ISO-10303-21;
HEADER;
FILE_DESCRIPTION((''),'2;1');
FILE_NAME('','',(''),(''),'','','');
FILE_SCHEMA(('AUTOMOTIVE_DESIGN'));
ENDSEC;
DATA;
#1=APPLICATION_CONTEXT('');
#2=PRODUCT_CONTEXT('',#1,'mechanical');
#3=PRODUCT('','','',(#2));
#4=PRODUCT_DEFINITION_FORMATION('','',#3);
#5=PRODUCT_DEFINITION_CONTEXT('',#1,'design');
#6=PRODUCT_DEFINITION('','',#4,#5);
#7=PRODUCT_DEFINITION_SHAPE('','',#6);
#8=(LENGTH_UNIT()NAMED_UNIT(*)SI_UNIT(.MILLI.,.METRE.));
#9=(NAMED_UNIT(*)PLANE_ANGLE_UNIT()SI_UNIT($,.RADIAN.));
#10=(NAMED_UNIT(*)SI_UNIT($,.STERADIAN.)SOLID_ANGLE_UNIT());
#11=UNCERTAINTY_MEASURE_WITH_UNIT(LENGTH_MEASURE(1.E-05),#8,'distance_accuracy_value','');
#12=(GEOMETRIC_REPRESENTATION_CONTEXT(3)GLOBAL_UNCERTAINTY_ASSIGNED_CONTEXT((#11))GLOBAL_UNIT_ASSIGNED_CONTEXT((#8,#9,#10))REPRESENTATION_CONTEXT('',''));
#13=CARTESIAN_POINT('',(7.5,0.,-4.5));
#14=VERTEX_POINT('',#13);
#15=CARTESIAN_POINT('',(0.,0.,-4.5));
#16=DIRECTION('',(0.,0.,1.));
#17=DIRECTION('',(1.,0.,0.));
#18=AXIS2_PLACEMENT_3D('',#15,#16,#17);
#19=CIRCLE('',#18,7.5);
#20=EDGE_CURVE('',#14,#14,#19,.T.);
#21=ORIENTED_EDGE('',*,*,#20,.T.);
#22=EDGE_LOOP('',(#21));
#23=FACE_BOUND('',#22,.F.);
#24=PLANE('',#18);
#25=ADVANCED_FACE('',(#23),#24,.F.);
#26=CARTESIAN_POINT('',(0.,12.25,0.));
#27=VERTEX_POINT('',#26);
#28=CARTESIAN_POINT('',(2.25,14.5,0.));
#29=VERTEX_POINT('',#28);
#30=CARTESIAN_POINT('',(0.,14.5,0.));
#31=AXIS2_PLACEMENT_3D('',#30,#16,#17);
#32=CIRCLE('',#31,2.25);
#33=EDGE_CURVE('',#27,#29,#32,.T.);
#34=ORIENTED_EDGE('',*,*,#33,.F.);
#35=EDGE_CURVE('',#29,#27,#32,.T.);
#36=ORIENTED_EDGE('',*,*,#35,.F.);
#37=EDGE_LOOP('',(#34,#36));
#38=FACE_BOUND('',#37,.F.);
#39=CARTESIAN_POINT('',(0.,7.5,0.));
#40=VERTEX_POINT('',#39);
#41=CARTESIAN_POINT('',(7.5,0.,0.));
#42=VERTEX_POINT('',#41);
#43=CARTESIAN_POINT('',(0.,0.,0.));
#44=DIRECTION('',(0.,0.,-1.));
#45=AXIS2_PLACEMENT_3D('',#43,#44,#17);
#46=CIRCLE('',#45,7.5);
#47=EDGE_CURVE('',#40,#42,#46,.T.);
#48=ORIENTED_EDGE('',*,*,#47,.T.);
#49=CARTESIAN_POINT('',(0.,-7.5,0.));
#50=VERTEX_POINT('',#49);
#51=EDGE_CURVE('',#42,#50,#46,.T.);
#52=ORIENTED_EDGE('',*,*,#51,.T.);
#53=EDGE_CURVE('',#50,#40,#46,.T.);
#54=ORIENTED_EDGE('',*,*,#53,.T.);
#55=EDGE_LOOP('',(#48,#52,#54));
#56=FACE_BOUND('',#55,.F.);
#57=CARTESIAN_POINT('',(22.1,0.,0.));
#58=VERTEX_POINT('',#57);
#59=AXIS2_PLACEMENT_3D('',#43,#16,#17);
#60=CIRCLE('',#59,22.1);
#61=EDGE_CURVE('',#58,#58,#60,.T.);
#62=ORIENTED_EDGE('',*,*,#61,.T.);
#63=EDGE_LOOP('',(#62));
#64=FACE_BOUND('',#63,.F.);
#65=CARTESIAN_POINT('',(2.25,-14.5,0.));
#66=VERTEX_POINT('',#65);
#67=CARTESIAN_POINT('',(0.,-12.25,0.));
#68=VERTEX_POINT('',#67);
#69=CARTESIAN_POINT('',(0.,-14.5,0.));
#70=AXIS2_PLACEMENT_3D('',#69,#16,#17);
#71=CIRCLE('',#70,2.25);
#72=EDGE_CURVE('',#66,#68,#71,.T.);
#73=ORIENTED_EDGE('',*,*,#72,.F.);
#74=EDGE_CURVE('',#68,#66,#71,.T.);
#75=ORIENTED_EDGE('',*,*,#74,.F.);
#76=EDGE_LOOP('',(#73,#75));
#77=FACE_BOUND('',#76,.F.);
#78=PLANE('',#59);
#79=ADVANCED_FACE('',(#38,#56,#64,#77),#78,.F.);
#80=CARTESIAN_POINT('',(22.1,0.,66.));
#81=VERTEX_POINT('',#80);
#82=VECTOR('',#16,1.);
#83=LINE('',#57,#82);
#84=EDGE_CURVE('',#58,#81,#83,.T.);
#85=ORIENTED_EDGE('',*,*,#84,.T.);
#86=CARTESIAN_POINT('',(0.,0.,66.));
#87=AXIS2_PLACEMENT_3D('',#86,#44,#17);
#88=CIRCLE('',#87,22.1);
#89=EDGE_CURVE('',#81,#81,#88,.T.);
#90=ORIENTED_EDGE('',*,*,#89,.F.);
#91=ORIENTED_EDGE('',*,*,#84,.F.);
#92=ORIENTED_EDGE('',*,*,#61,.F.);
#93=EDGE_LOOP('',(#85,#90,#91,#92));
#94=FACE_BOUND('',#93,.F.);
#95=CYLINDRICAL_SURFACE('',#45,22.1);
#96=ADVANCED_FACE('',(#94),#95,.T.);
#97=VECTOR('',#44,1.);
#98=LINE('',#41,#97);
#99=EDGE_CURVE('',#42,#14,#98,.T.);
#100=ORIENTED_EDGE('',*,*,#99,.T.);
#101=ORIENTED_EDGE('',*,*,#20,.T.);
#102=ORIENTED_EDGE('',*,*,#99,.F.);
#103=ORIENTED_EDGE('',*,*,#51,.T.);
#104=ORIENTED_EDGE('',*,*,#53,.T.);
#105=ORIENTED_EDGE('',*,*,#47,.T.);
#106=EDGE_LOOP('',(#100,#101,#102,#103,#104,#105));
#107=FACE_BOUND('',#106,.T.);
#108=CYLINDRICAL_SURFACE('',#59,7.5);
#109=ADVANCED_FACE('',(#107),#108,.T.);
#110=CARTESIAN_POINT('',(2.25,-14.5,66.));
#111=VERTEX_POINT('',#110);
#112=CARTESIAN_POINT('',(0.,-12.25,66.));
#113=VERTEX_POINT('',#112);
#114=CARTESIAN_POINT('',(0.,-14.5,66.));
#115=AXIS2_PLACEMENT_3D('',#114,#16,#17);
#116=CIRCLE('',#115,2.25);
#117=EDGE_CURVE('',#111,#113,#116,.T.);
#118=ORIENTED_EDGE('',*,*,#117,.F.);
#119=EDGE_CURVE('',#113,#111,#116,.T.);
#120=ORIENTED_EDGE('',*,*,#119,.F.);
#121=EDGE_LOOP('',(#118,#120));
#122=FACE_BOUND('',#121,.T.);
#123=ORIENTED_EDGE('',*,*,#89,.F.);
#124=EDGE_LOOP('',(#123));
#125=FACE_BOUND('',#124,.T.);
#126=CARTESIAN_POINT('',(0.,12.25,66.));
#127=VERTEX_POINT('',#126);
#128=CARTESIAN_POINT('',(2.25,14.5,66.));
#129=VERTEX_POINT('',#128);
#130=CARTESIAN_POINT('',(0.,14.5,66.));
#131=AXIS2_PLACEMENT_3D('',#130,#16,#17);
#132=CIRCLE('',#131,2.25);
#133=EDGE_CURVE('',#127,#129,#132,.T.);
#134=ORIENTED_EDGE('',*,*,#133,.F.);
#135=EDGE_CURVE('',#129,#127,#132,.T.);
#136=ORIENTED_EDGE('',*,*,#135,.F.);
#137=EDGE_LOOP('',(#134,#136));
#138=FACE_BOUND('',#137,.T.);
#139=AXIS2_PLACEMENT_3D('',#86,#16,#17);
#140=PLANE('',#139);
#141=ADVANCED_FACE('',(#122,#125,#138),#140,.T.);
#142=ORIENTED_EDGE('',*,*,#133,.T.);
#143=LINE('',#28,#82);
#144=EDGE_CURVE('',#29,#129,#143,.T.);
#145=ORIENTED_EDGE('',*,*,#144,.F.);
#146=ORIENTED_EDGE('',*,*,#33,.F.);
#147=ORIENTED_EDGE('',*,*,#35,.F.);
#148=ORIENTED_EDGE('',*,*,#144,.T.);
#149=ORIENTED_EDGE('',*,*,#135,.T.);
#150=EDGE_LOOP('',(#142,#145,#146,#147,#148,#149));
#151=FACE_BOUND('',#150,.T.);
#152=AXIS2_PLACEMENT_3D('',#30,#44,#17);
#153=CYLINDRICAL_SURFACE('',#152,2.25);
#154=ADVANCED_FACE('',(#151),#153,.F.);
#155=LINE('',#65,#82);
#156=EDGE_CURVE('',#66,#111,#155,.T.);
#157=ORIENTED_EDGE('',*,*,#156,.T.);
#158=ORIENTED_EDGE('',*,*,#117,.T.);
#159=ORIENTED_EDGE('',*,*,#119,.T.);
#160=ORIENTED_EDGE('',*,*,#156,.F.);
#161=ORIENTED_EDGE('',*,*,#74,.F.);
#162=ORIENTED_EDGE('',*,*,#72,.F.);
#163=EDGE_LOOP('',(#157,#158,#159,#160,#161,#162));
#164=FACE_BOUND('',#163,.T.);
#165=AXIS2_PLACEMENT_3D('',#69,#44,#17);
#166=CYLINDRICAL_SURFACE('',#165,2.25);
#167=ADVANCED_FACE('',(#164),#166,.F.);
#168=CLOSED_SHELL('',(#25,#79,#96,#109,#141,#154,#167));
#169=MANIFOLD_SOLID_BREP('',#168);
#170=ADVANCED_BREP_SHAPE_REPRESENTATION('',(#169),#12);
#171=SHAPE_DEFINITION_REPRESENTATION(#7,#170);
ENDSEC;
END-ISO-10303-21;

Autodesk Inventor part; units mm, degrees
ref_plane "YZ Plane" through (0, 0, 0) normal (1, 0, 0) x (0, 1, 0)
ref_plane "XZ Plane" through (0, 0, 0) normal (0, 1, 0) x (-1, 0, 0)
ref_plane "XY Plane" through (0, 0, 0) normal (0, 0, 1) x (1, 0, 0)
sketch "Sketch1" plane through (0, 0, 0) normal (0, 0, 1) x (1, 0, 0)
  circle A0 centre (0, 0) radius 22.1
  circle A1 centre (0, 14.5) radius 2.25
  circle A2 centre (0, -14.5) radius 2.25
  line L0 (0, 14.5) -> (0, -14.5)
  circle A3 centre (0, 0) radius 7.5
  line L1 (-22.1, 0) -> (-22.1, -31.7)
  line L2 (-22.1, -31.7) -> (22.1, -31.7)
  line L3 (22.1, -31.7) -> (22.1, 0)
  line L4 (-22.1, -25.7) -> (22.1, -25.7)
  dimension "d0" = 44.2
  dimension "d1" = 29
  dimension "d2" = 4.5
  dimension "d3" = 15
  dimension "d4" = 31.7
  dimension "d5" = 6
extrude "Extrusion1" add sketch "Sketch1" along normal blind 66 contours A0 | A3 L0 | L0 A3
extrude "Extrusion2" add sketch "Sketch1" against normal blind 4.5 contours A3 L0 | L0 A3
properties part number "MOTOR_NUEVO_DC" material "Steel, Mild, Welded"
